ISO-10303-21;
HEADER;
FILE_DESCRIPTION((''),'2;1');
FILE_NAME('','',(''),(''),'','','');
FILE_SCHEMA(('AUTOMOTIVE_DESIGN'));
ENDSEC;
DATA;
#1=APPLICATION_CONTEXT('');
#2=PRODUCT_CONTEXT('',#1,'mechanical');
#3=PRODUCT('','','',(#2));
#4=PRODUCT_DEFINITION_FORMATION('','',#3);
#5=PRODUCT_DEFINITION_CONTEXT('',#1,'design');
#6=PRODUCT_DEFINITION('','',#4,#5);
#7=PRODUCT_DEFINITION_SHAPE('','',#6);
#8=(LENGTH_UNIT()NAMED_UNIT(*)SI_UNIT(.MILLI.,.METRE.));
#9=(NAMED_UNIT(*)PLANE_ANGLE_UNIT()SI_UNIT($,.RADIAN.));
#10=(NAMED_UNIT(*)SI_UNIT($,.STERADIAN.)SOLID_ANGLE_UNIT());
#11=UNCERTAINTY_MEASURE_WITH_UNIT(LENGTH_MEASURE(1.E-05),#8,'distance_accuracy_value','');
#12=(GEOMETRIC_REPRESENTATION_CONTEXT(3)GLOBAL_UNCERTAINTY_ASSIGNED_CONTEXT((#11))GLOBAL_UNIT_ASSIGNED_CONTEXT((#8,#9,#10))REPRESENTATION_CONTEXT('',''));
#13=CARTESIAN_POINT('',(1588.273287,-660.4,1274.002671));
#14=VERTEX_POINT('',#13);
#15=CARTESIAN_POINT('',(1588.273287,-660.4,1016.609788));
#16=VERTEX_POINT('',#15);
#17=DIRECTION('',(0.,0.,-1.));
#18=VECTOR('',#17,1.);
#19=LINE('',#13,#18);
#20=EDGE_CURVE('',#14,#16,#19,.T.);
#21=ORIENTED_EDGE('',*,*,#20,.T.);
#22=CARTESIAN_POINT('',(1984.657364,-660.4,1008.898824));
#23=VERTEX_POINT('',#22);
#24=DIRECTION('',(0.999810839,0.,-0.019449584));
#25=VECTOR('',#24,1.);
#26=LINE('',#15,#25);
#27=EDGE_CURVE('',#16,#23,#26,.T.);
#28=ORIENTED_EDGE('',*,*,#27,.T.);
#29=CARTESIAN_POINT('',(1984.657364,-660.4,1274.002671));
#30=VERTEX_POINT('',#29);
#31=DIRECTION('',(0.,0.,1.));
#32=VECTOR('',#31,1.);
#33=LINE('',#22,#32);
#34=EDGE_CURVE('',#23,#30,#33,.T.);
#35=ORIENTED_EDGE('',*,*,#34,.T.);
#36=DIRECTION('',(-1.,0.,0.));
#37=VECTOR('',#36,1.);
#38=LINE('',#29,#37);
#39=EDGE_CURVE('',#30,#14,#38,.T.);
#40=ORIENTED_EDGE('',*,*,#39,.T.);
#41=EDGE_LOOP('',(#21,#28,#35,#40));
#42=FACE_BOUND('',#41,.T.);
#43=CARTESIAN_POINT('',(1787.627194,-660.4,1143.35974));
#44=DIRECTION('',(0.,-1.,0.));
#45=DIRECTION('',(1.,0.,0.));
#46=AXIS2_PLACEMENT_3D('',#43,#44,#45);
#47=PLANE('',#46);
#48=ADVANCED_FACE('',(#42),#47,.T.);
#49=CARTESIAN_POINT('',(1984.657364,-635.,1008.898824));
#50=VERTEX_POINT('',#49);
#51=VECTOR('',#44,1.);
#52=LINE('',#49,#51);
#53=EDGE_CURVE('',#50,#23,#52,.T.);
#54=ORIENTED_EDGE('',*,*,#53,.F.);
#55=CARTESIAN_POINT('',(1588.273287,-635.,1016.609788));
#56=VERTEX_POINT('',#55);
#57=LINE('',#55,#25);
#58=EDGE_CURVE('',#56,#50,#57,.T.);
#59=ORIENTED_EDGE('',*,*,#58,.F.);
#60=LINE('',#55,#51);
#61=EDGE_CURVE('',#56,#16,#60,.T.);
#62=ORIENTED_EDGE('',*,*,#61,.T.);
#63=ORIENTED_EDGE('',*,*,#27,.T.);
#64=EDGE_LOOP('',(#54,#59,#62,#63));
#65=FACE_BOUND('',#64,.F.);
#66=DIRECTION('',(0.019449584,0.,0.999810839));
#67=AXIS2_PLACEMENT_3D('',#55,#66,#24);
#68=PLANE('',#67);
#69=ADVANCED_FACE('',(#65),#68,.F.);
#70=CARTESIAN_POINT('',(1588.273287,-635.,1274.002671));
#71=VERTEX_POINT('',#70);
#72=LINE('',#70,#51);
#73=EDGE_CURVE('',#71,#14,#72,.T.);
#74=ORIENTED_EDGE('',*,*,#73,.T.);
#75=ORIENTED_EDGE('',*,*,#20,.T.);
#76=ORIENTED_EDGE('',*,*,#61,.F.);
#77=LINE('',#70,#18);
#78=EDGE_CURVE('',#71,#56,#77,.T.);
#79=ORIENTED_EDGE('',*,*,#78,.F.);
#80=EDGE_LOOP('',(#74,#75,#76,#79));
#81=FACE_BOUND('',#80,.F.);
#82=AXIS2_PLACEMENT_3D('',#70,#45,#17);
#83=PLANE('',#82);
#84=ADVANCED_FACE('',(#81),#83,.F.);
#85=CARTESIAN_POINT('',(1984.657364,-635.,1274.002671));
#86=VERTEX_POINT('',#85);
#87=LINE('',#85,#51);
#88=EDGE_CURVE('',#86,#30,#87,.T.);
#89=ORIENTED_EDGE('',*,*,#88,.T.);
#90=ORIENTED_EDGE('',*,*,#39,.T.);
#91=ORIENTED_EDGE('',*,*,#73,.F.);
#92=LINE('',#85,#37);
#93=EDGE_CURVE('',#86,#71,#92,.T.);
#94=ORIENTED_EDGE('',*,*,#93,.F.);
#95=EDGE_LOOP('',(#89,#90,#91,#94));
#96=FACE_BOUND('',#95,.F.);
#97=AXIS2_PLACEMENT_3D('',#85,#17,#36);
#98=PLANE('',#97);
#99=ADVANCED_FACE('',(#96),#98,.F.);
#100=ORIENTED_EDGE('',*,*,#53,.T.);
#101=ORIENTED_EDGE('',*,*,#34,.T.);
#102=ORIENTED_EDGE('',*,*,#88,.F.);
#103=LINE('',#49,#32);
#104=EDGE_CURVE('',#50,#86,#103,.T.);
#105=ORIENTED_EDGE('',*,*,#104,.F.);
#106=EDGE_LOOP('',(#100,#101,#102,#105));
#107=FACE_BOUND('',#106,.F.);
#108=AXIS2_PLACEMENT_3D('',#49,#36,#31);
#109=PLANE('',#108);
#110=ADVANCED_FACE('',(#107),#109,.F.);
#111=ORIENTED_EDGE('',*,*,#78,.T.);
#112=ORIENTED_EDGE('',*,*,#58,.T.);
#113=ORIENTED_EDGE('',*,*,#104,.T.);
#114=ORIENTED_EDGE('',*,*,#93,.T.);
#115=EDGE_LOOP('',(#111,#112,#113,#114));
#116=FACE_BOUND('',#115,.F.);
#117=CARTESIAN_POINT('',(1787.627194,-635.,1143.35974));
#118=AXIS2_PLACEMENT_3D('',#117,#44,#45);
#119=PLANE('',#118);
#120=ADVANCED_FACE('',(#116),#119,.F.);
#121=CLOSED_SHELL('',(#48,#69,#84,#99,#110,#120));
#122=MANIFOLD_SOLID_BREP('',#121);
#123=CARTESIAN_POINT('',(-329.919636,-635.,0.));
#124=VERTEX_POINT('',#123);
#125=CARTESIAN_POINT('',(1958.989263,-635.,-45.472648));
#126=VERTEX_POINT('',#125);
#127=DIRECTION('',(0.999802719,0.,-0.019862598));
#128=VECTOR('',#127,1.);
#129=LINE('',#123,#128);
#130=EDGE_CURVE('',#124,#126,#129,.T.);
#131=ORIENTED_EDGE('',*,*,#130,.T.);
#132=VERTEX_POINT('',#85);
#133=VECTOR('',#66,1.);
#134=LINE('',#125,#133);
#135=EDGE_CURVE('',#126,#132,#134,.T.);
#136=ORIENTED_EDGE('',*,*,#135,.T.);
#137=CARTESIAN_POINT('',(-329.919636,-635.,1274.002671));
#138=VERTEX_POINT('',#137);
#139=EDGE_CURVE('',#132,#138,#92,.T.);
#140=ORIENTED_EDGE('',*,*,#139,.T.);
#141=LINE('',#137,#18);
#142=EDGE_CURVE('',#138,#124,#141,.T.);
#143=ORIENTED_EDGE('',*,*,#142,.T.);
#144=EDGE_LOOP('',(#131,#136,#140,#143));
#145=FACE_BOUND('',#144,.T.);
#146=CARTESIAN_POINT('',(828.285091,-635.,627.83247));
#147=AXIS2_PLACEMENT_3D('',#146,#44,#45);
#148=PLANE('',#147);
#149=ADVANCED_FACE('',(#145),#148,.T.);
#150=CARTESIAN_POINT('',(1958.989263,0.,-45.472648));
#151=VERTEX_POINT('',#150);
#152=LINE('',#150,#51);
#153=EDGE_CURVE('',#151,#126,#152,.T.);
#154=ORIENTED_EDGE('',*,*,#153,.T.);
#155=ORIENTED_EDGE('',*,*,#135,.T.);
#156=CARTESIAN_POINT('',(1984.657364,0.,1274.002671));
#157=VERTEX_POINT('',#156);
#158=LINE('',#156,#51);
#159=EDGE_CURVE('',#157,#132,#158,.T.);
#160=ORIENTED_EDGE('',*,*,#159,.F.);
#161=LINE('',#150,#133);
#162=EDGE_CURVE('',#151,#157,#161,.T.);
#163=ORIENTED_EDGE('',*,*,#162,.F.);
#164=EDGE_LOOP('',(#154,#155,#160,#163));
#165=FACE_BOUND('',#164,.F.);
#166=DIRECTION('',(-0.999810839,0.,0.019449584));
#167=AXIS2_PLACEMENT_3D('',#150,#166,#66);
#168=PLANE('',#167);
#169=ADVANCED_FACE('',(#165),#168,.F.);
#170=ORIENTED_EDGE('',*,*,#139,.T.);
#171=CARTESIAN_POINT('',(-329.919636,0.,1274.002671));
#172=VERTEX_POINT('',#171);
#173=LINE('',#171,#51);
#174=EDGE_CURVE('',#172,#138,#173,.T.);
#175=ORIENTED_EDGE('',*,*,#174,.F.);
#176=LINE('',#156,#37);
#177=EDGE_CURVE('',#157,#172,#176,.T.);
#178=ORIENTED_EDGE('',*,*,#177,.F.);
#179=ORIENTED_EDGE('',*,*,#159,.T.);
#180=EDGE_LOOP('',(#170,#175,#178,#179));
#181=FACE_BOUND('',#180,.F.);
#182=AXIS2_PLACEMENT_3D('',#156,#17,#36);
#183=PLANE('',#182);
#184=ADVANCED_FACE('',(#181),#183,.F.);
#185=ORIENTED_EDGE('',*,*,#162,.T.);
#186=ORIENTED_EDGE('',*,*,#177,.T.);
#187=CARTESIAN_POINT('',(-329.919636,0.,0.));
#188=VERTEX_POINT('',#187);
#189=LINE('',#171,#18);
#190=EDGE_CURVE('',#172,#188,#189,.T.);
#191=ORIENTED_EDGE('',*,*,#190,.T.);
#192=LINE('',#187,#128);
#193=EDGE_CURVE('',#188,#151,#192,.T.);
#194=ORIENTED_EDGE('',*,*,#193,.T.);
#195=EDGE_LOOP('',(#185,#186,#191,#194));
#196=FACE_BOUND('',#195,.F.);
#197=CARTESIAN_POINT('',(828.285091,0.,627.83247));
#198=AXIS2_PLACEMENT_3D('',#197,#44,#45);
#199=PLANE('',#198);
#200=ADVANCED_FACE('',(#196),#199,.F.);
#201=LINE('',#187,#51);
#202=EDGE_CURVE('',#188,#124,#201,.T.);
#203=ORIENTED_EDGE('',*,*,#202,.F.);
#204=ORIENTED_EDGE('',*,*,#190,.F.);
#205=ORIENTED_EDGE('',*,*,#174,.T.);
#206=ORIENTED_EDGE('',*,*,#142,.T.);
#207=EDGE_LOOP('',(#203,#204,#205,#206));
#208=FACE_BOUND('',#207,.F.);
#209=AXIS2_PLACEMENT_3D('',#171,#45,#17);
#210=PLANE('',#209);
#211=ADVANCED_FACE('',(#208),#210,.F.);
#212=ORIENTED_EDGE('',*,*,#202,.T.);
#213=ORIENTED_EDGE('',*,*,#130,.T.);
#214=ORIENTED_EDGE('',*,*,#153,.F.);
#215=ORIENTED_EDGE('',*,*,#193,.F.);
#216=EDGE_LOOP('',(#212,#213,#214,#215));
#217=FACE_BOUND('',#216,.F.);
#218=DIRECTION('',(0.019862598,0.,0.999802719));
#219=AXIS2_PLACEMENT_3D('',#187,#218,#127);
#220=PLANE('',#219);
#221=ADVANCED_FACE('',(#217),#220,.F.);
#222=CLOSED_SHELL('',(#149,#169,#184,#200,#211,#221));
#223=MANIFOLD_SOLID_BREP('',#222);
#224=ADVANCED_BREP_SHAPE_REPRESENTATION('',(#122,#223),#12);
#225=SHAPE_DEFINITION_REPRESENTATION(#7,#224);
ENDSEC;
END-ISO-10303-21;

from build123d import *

# Parameters (mm, degrees)
F1_DEPTH = 635
F3_DEPTH = 25.4


with BuildPart() as f1:
    # F0 (on Front) → F1 (new body)
    with BuildSketch(Plane.XZ):
        Polygon((1984.657364, 1274.002671), (-329.919636, 1274.002671), (-329.919636, 0), (1958.989263, -45.472648), align=None)
    extrude(amount=F1_DEPTH)


with BuildPart() as f3:
    # F2 (on face) → F3 (new body)
    with BuildSketch(Plane.XZ.offset(635)):
        Polygon((1984.657364, 1008.898824), (1984.657364, 1274.002671), (1588.273287, 1274.002671), (1588.273287, 1016.609788), align=None)
    extrude(amount=F3_DEPTH)


solid = Compound([f1.part, f3.part])
